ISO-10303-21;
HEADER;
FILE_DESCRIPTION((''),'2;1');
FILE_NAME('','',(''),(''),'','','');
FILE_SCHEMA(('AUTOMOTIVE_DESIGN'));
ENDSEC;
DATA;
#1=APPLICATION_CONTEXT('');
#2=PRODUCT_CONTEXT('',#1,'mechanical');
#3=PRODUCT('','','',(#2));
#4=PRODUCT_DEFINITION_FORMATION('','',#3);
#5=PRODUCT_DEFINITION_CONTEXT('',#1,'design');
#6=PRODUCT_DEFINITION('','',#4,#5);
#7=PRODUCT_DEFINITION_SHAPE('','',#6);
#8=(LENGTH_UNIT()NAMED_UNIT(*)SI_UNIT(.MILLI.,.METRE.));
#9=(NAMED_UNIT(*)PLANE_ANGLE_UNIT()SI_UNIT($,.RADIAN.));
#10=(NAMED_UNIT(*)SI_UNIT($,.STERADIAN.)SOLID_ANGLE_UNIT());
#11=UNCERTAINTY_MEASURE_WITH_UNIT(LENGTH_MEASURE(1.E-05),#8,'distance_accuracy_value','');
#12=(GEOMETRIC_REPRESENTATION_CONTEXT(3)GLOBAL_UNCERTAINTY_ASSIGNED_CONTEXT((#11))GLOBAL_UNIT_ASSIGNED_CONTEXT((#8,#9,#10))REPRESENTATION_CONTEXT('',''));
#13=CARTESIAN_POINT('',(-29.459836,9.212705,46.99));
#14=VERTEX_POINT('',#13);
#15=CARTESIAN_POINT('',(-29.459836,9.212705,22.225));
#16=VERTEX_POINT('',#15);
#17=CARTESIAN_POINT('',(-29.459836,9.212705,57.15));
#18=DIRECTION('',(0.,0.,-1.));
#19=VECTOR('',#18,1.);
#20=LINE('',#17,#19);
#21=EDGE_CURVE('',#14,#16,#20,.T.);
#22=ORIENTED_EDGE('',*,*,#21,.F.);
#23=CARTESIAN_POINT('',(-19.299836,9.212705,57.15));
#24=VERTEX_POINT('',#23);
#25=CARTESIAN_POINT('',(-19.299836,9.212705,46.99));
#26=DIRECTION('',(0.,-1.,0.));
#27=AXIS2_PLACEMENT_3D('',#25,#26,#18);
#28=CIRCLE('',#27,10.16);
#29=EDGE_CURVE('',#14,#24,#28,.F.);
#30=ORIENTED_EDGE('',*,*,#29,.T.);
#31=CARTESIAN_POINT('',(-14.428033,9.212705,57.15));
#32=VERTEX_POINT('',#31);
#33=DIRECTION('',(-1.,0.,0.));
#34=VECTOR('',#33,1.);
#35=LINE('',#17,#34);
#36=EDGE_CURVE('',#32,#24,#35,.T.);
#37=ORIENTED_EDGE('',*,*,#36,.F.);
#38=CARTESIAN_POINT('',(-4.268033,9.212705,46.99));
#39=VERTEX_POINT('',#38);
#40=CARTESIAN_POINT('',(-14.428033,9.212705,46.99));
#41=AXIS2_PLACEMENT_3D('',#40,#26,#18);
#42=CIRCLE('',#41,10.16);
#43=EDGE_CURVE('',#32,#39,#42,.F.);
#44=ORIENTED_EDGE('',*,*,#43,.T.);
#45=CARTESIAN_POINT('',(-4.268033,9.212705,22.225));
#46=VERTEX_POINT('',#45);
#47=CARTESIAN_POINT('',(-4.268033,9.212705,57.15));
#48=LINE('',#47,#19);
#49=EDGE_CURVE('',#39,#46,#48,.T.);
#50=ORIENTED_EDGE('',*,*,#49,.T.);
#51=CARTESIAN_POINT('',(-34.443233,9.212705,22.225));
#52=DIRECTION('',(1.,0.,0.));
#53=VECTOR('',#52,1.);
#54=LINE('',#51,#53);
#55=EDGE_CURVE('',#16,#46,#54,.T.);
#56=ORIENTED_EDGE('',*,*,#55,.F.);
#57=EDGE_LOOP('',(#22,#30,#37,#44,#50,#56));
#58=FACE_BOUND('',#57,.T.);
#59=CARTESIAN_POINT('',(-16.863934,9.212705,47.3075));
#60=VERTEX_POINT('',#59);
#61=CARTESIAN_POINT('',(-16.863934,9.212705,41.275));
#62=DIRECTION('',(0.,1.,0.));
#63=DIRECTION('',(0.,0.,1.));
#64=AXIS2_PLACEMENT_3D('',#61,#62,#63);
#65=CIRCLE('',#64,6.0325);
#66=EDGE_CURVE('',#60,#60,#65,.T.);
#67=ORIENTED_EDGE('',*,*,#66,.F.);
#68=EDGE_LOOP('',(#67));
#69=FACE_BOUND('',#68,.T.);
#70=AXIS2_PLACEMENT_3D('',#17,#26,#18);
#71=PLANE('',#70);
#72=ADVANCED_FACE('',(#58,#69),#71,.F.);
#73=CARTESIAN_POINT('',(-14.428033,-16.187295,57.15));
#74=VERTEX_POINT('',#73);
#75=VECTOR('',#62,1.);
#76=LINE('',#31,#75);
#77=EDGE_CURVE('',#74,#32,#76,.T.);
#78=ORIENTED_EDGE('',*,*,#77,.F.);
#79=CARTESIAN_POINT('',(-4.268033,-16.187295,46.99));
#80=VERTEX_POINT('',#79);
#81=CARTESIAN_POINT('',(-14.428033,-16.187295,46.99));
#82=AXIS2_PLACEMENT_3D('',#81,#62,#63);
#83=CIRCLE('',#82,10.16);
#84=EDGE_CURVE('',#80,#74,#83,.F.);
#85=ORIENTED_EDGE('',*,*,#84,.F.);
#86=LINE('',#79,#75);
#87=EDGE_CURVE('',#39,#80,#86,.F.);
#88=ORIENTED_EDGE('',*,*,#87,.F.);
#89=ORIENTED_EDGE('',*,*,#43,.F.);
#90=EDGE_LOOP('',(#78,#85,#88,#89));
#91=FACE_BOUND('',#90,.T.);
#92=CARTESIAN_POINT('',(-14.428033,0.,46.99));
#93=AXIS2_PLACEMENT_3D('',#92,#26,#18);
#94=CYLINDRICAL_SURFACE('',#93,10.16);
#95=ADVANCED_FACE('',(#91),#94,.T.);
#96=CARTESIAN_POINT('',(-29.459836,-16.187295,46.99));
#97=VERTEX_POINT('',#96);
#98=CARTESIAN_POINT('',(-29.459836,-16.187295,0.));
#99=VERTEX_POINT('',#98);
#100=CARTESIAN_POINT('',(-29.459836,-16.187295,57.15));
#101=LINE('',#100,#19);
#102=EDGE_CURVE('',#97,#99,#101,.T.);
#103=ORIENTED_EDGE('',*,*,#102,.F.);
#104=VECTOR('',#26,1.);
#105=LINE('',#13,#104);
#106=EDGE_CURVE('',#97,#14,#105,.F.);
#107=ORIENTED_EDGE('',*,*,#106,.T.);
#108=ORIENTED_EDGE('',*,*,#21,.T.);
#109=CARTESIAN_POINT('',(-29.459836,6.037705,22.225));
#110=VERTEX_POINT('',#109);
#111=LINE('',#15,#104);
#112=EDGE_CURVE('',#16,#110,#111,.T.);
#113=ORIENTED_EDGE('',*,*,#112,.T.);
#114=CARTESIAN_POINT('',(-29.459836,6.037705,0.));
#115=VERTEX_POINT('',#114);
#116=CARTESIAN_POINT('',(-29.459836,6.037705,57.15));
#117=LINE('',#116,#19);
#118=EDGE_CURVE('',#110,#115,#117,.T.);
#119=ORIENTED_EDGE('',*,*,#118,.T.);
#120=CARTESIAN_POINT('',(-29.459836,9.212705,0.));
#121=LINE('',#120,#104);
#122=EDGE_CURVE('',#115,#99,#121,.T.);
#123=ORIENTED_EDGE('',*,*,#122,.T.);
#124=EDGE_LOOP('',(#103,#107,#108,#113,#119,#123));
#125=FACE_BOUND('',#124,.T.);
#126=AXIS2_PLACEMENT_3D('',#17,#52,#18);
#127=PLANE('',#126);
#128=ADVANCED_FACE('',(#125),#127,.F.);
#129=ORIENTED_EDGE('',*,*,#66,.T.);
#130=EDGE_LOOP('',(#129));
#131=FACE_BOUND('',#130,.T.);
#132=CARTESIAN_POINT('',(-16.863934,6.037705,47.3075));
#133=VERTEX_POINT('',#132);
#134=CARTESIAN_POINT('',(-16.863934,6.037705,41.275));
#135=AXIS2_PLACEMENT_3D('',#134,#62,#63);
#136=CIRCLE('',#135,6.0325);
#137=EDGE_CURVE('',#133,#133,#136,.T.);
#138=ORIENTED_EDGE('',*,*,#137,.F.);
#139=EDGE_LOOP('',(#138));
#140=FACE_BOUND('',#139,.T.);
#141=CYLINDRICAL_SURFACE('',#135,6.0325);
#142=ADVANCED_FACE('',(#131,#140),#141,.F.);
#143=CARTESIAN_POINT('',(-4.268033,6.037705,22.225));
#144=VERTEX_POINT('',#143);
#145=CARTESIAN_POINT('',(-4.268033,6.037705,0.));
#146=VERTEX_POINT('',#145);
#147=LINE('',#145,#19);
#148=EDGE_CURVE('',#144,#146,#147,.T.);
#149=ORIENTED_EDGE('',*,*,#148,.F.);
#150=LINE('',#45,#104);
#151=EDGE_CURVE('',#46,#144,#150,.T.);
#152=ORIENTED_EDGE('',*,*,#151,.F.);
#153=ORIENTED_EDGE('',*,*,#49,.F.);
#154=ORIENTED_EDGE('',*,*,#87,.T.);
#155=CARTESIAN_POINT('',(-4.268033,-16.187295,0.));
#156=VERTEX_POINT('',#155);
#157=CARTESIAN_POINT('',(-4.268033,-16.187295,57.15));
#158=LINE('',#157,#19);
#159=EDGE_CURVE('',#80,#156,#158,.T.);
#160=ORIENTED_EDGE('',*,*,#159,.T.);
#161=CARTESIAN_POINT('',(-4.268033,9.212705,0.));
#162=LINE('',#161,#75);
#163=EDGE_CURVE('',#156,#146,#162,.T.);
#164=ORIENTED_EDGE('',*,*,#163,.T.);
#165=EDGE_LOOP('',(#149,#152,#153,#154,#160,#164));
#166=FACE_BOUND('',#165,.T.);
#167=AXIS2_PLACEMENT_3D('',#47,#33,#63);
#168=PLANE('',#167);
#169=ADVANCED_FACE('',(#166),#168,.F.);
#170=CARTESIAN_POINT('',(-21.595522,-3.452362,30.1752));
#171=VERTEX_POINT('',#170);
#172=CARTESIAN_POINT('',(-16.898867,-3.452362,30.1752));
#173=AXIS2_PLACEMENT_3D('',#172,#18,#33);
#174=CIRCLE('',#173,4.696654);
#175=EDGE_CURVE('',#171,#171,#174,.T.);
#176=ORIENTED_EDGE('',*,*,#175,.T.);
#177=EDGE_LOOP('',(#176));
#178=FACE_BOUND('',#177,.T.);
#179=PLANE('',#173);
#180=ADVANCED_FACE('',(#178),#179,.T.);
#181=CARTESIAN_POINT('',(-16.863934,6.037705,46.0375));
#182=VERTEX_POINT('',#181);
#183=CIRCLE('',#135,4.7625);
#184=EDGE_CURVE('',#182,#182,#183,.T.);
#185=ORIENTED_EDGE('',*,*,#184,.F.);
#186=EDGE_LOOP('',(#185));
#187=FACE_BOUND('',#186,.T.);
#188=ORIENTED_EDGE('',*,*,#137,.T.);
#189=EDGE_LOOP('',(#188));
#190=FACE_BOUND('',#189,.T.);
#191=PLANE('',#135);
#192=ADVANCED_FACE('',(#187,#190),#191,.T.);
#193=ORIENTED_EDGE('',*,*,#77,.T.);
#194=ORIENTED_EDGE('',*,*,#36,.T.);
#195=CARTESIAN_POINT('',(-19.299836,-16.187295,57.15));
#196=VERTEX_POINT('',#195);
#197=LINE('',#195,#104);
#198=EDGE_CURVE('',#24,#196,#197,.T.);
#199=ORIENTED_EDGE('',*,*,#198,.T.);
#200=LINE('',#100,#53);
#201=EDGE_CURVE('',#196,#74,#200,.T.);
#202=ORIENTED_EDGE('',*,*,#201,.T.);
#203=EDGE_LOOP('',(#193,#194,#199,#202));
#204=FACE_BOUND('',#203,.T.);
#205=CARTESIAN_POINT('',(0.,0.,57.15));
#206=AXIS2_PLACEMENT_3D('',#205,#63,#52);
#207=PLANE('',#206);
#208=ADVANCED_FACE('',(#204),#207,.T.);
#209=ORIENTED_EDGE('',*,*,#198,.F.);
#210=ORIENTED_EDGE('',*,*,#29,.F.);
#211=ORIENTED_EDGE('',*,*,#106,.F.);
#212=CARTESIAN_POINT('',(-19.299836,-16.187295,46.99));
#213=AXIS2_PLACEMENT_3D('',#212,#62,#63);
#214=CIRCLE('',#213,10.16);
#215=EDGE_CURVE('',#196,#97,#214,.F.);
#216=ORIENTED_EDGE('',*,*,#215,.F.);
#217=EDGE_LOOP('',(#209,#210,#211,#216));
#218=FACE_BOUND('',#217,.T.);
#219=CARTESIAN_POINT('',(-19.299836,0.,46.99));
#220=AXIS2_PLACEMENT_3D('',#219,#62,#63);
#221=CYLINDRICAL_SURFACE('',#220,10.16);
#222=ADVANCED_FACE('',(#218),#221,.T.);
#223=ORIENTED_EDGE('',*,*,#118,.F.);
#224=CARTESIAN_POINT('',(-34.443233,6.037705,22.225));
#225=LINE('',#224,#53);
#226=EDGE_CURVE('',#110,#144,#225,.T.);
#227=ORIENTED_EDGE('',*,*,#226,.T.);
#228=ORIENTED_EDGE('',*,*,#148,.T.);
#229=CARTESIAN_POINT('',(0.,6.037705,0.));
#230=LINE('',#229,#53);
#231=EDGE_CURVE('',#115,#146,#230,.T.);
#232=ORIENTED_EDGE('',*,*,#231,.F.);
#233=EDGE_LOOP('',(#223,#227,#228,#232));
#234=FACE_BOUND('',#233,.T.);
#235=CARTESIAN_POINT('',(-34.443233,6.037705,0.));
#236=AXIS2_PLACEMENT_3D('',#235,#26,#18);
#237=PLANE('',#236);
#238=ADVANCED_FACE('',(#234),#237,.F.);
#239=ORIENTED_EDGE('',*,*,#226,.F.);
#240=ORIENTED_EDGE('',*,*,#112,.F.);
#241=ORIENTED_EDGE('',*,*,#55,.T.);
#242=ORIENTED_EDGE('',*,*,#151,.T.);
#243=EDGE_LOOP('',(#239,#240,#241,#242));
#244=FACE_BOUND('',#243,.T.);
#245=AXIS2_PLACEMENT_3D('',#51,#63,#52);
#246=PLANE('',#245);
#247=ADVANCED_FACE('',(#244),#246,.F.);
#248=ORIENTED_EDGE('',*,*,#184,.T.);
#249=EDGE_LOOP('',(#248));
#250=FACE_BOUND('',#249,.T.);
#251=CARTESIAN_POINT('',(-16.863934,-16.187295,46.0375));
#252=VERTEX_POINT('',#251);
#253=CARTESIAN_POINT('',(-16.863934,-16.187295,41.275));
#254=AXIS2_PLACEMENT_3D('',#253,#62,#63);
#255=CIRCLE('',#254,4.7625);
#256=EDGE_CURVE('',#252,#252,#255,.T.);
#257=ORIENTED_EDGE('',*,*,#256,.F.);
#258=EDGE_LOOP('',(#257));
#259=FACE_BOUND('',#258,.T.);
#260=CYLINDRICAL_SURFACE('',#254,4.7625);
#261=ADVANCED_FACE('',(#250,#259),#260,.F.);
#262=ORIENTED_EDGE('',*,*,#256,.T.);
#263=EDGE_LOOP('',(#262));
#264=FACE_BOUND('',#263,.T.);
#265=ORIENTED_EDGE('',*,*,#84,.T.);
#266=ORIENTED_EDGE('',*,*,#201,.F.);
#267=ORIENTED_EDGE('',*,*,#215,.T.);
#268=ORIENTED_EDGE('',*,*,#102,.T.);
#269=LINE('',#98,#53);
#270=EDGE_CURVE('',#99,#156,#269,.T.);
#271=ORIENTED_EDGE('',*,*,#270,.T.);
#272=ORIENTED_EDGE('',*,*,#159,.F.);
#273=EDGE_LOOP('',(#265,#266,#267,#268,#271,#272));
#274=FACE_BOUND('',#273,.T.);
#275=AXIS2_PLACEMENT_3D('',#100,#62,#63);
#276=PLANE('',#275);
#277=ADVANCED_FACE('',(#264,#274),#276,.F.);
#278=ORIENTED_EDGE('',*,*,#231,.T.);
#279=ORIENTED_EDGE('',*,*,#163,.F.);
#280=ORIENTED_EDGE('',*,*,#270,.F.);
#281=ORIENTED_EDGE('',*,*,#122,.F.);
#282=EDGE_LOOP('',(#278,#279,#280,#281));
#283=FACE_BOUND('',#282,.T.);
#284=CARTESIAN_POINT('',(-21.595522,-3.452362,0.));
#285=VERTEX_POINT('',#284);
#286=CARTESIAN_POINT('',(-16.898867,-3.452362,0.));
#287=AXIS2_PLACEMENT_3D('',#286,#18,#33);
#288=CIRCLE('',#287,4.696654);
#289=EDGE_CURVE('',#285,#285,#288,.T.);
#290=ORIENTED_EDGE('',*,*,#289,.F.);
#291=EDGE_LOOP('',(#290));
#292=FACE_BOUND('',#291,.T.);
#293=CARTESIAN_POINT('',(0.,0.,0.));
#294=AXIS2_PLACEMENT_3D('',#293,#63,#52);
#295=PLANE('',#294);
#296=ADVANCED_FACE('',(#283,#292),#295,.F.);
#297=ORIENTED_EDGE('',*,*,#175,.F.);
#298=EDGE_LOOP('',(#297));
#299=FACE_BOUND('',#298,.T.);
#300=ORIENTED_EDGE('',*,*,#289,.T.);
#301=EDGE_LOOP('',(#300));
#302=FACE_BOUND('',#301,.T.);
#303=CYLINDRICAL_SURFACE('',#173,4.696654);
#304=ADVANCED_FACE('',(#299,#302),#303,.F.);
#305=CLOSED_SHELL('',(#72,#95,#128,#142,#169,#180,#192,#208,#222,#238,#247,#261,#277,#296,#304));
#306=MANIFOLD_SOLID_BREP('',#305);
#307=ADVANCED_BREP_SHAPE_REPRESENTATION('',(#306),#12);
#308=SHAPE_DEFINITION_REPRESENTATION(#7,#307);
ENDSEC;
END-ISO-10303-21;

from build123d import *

# Parameters (mm, degrees)
SKETCH1_W           = 25.191803279
SKETCH1_H           = 25.4
BOSS_EXTRUDE1_DEPTH = 57.15
SKETCH2_R           = 4.696654448
CUT_EXTRUDE1_DEPTH  = 30.1752
SKETCH3_W           = 22.225
SKETCH3_H           = 3.175
CUT_EXTRUDE2_DEPTH  = 30.1752
SKETCH11_R          = 6.0325
CUT_EXTRUDE5_DEPTH  = 3.175
SKETCH12_R          = 4.7625
CUT_EXTRUDE6_DEPTH  = 69.029075152
FILLET1_R           = 10.16
FILLET2_R           = 10.16


with BuildPart() as part:
    # Sketch1 → Boss-Extrude1 (new body)
    with BuildSketch(Plane.XY):
        with Locations((-16.863934427, -3.487295082)):
            Rectangle(SKETCH1_W, SKETCH1_H)
    extrude(amount=BOSS_EXTRUDE1_DEPTH)

    # Sketch2 → Cut-Extrude1 (cut)
    with BuildSketch(Plane(origin=(0, 0, 0), x_dir=(-1, 0, 0), z_dir=(0, 0, -1))):
        with Locations((16.89886731, -3.452362198)):
            Circle(SKETCH2_R)
    extrude(amount=-CUT_EXTRUDE1_DEPTH, mode=Mode.SUBTRACT)

    # Sketch3 → Cut-Extrude2 (cut)
    with BuildSketch(Plane(origin=(-4.268032787, 0, 0), x_dir=(0, 0, -1), z_dir=(1, 0, 0))):
        with Locations((-11.1125, 7.625204918)):
            Rectangle(SKETCH3_W, SKETCH3_H)
    extrude(amount=-CUT_EXTRUDE2_DEPTH, mode=Mode.SUBTRACT)

    # Sketch11 → Cut-Extrude5 (cut)
    with BuildSketch(Plane(origin=(0, 9.212704918, 0), x_dir=(1, 0, 0), z_dir=(0, 1, 0))):
        with Locations(Location((-16.863934426, -41.275, 0), (0, 0, 270))):
            Circle(SKETCH11_R)
    extrude(amount=-CUT_EXTRUDE5_DEPTH, mode=Mode.SUBTRACT)

    # Sketch12 → Cut-Extrude6 (cut, through all)
    with BuildSketch(Plane(origin=(0, 6.037704918, 0), x_dir=(1, 0, 0), z_dir=(0, 1, 0))):
        with Locations(Location((-16.863934426, -41.275, 0), (0, 0, 270))):
            Circle(SKETCH12_R)
    extrude(amount=-CUT_EXTRUDE6_DEPTH, mode=Mode.SUBTRACT)

    # Fillet1
    fillet1_edges = [part.edges().sort_by_distance(p)[0] for p in [
        (-4.268032787, -3.487295082, 57.15),
    ]]
    fillet(fillet1_edges, radius=FILLET1_R)

    # Fillet2
    fillet2_edges = [part.edges().sort_by_distance(p)[0] for p in [
        (-29.459836066, -3.487295082, 57.15),
    ]]
    fillet(fillet2_edges, radius=FILLET2_R)


solid = part.part
